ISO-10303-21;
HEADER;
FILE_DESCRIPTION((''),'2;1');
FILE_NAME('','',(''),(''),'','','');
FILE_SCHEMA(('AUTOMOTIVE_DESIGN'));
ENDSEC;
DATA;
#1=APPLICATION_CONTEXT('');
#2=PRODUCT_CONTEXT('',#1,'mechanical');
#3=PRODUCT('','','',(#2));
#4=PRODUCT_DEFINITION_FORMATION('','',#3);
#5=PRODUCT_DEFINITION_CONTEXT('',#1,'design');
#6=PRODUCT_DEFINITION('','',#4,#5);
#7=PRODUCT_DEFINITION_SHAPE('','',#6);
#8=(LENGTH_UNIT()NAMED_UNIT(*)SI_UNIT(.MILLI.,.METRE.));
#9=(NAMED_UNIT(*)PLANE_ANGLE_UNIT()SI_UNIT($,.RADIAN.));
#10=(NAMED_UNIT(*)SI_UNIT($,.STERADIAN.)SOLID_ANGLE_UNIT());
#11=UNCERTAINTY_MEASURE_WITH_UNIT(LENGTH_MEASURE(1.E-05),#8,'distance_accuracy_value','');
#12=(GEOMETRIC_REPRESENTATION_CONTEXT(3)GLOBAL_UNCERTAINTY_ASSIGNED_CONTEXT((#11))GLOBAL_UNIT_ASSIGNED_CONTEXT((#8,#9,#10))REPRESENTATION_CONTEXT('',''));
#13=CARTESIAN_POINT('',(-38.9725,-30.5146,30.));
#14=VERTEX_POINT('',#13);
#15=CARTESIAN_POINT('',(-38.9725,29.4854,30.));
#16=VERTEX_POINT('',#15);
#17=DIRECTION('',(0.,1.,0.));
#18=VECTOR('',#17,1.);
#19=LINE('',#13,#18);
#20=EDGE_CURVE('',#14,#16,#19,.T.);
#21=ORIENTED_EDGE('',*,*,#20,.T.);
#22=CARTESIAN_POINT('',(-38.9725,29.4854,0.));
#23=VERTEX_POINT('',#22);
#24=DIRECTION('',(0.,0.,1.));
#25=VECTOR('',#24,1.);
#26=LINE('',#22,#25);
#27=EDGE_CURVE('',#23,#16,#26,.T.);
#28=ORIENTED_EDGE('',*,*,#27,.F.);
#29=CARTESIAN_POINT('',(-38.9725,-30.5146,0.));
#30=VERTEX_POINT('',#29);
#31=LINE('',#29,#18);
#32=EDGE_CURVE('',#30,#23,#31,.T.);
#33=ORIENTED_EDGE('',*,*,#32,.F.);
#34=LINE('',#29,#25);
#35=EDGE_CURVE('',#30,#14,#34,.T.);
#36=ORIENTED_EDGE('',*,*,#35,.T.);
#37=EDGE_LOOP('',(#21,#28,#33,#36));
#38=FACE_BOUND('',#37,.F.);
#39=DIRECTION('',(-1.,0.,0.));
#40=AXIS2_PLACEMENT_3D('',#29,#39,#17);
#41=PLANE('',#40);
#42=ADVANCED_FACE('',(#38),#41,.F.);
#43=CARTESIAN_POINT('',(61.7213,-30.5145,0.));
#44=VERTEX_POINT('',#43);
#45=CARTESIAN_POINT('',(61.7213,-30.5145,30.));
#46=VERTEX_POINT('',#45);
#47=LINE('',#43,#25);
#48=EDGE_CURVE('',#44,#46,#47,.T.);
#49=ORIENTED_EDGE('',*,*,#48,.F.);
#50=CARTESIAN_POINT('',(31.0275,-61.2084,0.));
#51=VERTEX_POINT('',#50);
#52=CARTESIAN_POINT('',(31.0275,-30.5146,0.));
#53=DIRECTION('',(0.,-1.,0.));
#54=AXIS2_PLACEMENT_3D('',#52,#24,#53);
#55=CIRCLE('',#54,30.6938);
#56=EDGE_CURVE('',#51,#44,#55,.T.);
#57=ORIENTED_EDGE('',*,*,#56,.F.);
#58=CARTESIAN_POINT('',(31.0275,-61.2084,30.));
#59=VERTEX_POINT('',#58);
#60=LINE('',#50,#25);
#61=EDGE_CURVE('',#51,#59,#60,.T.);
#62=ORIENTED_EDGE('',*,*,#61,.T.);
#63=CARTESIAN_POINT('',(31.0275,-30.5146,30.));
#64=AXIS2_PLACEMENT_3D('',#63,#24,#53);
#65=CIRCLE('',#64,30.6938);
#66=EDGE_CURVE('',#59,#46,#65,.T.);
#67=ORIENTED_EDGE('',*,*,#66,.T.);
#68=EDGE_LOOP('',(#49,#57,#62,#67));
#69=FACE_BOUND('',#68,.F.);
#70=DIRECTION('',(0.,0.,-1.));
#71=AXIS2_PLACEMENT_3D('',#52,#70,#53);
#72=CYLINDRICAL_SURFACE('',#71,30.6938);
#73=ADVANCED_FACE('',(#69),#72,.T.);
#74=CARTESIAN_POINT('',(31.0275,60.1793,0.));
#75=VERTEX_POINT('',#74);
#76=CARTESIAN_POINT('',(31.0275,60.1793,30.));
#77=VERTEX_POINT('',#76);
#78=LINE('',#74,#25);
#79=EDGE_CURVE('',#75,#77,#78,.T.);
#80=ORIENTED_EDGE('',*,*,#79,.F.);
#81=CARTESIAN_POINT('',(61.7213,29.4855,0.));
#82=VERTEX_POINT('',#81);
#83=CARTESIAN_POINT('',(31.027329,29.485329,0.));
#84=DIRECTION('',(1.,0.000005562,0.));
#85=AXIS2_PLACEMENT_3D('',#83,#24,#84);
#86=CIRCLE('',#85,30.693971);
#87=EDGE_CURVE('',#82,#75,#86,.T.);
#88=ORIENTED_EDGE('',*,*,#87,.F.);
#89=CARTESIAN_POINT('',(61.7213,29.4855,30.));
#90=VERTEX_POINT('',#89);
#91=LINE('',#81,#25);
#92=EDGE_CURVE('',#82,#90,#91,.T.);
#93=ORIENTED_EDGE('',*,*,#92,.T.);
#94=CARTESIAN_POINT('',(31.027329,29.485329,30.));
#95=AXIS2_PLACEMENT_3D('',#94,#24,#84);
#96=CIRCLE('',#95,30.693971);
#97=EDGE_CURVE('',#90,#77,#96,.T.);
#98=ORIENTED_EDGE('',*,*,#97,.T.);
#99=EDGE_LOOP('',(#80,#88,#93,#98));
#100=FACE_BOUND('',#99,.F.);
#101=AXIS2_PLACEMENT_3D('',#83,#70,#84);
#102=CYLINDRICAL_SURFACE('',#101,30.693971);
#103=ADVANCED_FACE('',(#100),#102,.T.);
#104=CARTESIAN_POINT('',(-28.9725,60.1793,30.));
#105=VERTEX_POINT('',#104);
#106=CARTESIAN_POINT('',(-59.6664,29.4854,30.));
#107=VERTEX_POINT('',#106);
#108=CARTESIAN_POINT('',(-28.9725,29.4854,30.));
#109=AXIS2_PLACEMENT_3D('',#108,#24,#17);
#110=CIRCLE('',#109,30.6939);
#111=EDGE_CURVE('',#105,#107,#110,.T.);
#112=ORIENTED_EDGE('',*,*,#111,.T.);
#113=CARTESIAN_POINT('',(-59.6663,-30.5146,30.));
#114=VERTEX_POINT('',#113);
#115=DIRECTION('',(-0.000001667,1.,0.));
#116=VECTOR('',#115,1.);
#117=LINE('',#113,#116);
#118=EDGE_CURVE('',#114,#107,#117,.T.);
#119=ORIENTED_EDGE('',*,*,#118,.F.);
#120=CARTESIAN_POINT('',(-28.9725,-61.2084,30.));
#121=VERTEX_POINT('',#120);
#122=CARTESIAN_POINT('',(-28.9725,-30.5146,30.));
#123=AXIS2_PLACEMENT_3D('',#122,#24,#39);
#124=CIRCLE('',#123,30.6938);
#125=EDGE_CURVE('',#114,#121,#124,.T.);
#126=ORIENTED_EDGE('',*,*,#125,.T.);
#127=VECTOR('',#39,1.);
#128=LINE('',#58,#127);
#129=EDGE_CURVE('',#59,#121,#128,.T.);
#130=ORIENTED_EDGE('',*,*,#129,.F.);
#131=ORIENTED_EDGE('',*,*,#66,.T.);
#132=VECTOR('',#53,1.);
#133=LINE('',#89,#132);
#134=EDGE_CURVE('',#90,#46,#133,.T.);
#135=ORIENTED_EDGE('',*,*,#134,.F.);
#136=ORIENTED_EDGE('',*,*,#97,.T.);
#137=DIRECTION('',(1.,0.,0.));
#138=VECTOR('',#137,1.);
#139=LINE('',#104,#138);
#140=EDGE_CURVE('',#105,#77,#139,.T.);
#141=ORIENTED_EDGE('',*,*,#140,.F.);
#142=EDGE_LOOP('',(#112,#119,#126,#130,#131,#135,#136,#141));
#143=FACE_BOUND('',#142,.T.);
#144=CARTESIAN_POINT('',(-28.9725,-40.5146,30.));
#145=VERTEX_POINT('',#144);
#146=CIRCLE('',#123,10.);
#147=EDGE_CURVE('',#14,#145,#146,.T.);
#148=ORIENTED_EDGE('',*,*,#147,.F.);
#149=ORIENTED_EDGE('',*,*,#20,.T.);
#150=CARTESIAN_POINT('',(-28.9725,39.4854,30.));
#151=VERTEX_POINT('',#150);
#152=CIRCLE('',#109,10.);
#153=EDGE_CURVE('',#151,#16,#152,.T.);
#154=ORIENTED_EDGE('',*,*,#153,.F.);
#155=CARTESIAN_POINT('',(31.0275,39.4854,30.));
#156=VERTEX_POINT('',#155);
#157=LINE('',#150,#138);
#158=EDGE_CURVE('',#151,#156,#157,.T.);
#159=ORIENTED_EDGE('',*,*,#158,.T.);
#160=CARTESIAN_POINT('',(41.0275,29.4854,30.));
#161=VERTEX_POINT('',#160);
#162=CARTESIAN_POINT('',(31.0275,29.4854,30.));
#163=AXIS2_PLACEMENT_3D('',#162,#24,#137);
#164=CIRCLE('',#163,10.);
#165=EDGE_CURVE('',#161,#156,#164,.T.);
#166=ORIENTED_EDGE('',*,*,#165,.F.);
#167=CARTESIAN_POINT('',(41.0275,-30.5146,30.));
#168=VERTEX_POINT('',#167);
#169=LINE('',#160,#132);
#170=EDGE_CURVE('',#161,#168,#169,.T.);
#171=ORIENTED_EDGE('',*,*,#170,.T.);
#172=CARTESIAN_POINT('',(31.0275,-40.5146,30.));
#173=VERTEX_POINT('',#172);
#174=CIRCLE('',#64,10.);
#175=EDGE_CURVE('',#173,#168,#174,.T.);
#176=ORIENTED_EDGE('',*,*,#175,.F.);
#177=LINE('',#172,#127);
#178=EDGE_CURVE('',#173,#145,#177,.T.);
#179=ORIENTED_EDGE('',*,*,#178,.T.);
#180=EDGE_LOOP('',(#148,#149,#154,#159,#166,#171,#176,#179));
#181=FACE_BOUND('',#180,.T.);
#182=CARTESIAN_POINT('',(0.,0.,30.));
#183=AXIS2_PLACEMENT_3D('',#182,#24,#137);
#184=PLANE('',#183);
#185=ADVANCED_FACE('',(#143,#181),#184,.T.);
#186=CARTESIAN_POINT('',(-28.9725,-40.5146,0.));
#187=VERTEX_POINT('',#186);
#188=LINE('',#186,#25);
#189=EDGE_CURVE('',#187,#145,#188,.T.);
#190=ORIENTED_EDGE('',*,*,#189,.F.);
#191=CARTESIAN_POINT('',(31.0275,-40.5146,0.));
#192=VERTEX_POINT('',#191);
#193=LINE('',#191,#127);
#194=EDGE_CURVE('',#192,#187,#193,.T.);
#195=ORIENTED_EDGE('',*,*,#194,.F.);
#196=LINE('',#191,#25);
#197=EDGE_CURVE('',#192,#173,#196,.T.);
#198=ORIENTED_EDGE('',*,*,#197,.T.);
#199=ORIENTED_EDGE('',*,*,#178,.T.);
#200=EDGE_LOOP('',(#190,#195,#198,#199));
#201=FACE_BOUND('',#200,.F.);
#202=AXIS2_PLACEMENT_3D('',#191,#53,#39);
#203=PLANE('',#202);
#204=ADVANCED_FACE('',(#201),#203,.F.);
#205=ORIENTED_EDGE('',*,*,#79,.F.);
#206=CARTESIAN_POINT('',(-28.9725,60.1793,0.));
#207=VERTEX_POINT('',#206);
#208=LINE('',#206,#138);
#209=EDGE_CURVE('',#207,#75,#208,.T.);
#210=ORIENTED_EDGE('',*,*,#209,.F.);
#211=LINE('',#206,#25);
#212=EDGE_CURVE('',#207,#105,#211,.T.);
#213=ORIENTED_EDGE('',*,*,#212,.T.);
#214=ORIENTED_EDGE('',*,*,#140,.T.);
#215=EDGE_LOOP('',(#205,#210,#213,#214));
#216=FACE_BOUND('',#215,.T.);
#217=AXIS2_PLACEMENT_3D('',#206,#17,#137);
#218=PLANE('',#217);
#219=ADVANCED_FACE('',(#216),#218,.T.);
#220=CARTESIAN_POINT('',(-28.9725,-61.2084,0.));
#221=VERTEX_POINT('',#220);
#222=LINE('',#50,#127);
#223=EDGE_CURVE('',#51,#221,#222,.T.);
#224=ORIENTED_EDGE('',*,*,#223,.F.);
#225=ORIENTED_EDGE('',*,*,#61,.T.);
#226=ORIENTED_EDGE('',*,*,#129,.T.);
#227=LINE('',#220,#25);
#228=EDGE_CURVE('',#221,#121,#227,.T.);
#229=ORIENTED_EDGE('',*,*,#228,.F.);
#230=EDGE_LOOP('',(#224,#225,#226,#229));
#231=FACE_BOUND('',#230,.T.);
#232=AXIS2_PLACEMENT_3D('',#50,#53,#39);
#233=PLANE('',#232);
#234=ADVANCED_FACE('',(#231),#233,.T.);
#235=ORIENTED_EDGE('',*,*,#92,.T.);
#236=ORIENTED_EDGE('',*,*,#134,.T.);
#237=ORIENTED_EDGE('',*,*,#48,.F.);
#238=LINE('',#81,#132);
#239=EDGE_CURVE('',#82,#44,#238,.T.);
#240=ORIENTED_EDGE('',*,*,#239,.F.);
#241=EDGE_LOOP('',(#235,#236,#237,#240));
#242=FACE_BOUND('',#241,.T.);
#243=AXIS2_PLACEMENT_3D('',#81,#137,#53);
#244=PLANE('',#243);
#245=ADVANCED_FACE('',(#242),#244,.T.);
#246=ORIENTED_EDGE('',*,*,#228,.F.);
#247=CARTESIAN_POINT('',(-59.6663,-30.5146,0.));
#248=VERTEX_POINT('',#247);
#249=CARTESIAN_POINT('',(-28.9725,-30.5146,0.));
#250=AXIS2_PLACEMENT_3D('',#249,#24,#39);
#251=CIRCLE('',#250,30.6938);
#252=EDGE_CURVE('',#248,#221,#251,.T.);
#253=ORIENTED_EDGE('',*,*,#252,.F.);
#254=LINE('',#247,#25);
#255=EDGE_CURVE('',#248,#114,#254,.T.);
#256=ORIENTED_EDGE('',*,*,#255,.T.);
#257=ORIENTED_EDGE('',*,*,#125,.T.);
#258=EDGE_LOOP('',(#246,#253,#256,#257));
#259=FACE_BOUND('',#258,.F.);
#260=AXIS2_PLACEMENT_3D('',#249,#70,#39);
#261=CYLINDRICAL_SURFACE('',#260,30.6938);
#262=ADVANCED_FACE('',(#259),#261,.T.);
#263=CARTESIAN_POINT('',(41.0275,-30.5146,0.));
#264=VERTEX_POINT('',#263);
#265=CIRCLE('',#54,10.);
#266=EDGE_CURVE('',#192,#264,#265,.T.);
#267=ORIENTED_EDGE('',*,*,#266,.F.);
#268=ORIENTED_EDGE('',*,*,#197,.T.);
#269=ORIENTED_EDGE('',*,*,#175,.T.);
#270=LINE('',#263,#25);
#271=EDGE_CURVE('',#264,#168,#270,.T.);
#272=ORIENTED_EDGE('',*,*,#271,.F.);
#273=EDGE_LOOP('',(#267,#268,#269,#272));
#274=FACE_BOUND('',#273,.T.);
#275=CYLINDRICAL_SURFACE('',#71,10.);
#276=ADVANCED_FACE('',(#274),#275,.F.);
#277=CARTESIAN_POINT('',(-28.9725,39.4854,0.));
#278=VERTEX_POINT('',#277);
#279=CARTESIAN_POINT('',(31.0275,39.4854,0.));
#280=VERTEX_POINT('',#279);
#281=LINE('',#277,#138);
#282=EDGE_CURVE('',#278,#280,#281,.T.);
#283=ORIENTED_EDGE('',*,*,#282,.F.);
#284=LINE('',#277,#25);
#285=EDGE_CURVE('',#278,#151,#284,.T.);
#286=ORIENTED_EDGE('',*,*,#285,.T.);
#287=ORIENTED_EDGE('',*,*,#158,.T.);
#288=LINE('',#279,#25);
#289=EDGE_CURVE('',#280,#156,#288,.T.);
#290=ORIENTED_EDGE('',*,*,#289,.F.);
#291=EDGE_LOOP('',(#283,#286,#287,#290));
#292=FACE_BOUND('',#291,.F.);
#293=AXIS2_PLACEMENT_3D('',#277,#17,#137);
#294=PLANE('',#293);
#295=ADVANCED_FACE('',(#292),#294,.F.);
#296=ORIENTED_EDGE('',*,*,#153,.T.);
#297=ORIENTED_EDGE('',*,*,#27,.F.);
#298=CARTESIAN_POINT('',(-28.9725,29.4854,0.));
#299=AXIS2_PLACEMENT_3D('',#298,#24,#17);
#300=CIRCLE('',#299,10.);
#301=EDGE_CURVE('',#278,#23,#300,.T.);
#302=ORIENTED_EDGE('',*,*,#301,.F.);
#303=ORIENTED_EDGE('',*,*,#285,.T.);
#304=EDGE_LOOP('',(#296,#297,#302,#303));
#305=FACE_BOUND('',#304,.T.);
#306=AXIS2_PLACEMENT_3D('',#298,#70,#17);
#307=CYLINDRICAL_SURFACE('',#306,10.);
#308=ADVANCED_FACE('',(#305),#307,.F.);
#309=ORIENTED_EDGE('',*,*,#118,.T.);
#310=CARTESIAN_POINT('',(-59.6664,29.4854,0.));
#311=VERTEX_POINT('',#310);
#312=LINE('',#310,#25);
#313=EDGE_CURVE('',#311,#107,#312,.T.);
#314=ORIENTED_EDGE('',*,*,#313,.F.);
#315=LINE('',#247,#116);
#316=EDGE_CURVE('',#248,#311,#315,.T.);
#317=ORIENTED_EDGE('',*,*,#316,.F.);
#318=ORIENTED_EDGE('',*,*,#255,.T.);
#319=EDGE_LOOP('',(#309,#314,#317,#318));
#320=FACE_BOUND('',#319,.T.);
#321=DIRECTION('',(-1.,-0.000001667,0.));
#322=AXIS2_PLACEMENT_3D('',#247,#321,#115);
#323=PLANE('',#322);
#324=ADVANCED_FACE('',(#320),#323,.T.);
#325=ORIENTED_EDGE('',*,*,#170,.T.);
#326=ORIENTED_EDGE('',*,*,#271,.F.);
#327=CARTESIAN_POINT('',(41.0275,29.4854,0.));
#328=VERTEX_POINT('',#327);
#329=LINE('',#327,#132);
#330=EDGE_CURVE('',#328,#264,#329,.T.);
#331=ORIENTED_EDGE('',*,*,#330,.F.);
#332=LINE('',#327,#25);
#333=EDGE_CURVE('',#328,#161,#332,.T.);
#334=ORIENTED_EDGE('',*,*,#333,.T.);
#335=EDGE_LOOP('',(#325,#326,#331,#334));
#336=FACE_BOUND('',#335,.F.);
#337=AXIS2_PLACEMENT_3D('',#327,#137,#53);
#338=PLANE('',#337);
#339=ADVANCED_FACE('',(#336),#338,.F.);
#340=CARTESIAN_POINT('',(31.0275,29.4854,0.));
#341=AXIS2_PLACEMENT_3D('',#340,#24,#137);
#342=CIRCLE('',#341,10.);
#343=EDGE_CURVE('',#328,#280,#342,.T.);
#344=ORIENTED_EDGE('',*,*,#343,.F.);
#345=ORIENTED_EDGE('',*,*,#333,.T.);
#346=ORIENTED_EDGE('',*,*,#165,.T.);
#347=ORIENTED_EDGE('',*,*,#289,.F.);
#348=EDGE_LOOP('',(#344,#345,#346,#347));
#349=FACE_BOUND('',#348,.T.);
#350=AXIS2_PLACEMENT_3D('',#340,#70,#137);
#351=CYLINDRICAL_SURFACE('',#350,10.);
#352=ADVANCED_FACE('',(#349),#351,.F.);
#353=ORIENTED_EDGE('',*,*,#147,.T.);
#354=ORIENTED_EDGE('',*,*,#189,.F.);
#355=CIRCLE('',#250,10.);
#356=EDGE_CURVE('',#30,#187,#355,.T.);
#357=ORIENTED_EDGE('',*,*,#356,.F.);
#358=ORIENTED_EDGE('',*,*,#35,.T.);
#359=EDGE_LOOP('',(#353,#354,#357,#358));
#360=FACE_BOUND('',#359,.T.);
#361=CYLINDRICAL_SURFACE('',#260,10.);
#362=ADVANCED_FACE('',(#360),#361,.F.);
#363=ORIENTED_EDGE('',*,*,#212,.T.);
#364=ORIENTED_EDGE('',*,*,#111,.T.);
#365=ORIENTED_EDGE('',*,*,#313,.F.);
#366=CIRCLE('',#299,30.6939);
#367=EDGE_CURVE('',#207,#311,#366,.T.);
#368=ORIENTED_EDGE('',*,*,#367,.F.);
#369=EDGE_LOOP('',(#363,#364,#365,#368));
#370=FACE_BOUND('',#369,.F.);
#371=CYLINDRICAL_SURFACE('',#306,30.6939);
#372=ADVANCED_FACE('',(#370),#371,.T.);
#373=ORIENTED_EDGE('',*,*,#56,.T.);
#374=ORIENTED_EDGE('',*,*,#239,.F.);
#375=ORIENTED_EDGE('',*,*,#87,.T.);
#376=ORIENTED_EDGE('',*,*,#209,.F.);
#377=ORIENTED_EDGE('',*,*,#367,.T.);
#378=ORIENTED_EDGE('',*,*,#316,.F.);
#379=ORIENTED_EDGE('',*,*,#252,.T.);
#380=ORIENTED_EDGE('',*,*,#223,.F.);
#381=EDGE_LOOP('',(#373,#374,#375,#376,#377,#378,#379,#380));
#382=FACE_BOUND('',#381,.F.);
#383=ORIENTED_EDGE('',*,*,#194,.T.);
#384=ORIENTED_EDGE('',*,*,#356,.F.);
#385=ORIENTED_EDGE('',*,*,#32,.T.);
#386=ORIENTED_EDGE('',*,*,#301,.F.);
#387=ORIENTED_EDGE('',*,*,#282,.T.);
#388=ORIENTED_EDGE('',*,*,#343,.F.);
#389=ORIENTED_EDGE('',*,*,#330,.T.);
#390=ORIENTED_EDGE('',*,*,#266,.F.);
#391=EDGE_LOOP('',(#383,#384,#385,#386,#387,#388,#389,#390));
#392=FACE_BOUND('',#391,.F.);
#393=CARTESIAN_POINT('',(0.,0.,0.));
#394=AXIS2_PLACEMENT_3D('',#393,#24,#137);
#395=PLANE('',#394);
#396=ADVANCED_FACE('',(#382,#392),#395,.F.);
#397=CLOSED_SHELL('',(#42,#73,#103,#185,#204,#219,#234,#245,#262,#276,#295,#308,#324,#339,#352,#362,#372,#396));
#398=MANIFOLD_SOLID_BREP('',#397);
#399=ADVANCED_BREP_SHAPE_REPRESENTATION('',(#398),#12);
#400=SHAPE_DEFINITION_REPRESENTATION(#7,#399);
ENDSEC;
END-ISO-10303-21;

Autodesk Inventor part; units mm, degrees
ref_plane "YZ Plane" through (0, 0, 0) normal (1, 0, 0) x (0, 1, 0)
ref_plane "XZ Plane" through (0, 0, 0) normal (0, 1, 0) x (-1, 0, 0)
ref_plane "Plano de trabalho1" through (0, 0, 0) normal (0, 0, 1) x (1, 0, 0)
sketch "Esboço1" plane through (0, 0, 0) normal (0, 0, 1) x (1, 0, 0)
  arc A0 (-38.9725, -30.5146) -> (-28.9725, -40.5146) centre (-28.9725, -30.5146) ccw projected
  line L0 (31.0275, -40.5146) -> (-28.9725, -40.5146) projected
  arc A1 (31.0275, -40.5146) -> (41.0275, -30.5146) centre (31.0275, -30.5146) ccw projected
  line L1 (41.0275, 29.4854) -> (41.0275, -30.5146) projected
  arc A2 (41.0275, 29.4854) -> (31.0275, 39.4854) centre (31.0275, 29.4854) ccw projected
  line L2 (-28.9725, 39.4854) -> (31.0275, 39.4854) projected
  arc A3 (-28.9725, 39.4854) -> (-38.9725, 29.4854) centre (-28.9725, 29.4854) ccw projected
  line L3 (-38.9725, -30.5146) -> (-38.9725, 29.4854) projected
  circle A4 centre (1.0275, -0.5146) radius 5 projected
  arc A5 (-52.2205, -30.5146) -> (-28.9725, -53.7625) centre (-28.9725, -30.5146) ccw
  line L4 (-52.2205, -30.5146) -> (-52.2205, 29.4854)
  arc A6 (-28.9725, 52.7334) -> (-52.2205, 29.4854) centre (-28.9725, 29.4854) ccw
  line L5 (-28.9725, 52.7334) -> (31.0275, 52.7334)
  arc A7 (54.2754, 29.4855) -> (31.0275, 52.7334) centre (31.0275, 29.4854) ccw
  line L6 (54.2754, 29.4855) -> (54.2754, -30.5145)
  arc A8 (31.0275, -53.7625) -> (54.2754, -30.5145) centre (31.0275, -30.5146) ccw
  line L7 (31.0275, -53.7625) -> (-28.9725, -53.7625)
  arc A9 (-59.6663, -30.5146) -> (-28.9725, -61.2084) centre (-28.9725, -30.5146) ccw
  line L8 (-59.6663, -30.5146) -> (-59.6664, 29.4854)
  arc A10 (-28.9725, 60.1793) -> (-59.6664, 29.4854) centre (-28.9725, 29.4854) ccw
  line L9 (-28.9725, 60.1793) -> (31.0275, 60.1793)
  arc A11 (61.7213, 29.4855) -> (31.0275, 60.1793) centre (31.0275, 29.4854) ccw
  line L10 (61.7213, 29.4855) -> (61.7213, -30.5145)
  arc A12 (31.0275, -61.2084) -> (61.7213, -30.5145) centre (31.0275, -30.5146) ccw
  line L11 (31.0275, -61.2084) -> (-28.9725, -61.2084)
  point P0 (0, 0)
extrude "Extrusão1" add sketch "Esboço1" along normal blind 30 contours L4 A6 L5 A7 L6 A8 L7 A5 | L8 A10 L9 A11 L10 A12 L11 A9
